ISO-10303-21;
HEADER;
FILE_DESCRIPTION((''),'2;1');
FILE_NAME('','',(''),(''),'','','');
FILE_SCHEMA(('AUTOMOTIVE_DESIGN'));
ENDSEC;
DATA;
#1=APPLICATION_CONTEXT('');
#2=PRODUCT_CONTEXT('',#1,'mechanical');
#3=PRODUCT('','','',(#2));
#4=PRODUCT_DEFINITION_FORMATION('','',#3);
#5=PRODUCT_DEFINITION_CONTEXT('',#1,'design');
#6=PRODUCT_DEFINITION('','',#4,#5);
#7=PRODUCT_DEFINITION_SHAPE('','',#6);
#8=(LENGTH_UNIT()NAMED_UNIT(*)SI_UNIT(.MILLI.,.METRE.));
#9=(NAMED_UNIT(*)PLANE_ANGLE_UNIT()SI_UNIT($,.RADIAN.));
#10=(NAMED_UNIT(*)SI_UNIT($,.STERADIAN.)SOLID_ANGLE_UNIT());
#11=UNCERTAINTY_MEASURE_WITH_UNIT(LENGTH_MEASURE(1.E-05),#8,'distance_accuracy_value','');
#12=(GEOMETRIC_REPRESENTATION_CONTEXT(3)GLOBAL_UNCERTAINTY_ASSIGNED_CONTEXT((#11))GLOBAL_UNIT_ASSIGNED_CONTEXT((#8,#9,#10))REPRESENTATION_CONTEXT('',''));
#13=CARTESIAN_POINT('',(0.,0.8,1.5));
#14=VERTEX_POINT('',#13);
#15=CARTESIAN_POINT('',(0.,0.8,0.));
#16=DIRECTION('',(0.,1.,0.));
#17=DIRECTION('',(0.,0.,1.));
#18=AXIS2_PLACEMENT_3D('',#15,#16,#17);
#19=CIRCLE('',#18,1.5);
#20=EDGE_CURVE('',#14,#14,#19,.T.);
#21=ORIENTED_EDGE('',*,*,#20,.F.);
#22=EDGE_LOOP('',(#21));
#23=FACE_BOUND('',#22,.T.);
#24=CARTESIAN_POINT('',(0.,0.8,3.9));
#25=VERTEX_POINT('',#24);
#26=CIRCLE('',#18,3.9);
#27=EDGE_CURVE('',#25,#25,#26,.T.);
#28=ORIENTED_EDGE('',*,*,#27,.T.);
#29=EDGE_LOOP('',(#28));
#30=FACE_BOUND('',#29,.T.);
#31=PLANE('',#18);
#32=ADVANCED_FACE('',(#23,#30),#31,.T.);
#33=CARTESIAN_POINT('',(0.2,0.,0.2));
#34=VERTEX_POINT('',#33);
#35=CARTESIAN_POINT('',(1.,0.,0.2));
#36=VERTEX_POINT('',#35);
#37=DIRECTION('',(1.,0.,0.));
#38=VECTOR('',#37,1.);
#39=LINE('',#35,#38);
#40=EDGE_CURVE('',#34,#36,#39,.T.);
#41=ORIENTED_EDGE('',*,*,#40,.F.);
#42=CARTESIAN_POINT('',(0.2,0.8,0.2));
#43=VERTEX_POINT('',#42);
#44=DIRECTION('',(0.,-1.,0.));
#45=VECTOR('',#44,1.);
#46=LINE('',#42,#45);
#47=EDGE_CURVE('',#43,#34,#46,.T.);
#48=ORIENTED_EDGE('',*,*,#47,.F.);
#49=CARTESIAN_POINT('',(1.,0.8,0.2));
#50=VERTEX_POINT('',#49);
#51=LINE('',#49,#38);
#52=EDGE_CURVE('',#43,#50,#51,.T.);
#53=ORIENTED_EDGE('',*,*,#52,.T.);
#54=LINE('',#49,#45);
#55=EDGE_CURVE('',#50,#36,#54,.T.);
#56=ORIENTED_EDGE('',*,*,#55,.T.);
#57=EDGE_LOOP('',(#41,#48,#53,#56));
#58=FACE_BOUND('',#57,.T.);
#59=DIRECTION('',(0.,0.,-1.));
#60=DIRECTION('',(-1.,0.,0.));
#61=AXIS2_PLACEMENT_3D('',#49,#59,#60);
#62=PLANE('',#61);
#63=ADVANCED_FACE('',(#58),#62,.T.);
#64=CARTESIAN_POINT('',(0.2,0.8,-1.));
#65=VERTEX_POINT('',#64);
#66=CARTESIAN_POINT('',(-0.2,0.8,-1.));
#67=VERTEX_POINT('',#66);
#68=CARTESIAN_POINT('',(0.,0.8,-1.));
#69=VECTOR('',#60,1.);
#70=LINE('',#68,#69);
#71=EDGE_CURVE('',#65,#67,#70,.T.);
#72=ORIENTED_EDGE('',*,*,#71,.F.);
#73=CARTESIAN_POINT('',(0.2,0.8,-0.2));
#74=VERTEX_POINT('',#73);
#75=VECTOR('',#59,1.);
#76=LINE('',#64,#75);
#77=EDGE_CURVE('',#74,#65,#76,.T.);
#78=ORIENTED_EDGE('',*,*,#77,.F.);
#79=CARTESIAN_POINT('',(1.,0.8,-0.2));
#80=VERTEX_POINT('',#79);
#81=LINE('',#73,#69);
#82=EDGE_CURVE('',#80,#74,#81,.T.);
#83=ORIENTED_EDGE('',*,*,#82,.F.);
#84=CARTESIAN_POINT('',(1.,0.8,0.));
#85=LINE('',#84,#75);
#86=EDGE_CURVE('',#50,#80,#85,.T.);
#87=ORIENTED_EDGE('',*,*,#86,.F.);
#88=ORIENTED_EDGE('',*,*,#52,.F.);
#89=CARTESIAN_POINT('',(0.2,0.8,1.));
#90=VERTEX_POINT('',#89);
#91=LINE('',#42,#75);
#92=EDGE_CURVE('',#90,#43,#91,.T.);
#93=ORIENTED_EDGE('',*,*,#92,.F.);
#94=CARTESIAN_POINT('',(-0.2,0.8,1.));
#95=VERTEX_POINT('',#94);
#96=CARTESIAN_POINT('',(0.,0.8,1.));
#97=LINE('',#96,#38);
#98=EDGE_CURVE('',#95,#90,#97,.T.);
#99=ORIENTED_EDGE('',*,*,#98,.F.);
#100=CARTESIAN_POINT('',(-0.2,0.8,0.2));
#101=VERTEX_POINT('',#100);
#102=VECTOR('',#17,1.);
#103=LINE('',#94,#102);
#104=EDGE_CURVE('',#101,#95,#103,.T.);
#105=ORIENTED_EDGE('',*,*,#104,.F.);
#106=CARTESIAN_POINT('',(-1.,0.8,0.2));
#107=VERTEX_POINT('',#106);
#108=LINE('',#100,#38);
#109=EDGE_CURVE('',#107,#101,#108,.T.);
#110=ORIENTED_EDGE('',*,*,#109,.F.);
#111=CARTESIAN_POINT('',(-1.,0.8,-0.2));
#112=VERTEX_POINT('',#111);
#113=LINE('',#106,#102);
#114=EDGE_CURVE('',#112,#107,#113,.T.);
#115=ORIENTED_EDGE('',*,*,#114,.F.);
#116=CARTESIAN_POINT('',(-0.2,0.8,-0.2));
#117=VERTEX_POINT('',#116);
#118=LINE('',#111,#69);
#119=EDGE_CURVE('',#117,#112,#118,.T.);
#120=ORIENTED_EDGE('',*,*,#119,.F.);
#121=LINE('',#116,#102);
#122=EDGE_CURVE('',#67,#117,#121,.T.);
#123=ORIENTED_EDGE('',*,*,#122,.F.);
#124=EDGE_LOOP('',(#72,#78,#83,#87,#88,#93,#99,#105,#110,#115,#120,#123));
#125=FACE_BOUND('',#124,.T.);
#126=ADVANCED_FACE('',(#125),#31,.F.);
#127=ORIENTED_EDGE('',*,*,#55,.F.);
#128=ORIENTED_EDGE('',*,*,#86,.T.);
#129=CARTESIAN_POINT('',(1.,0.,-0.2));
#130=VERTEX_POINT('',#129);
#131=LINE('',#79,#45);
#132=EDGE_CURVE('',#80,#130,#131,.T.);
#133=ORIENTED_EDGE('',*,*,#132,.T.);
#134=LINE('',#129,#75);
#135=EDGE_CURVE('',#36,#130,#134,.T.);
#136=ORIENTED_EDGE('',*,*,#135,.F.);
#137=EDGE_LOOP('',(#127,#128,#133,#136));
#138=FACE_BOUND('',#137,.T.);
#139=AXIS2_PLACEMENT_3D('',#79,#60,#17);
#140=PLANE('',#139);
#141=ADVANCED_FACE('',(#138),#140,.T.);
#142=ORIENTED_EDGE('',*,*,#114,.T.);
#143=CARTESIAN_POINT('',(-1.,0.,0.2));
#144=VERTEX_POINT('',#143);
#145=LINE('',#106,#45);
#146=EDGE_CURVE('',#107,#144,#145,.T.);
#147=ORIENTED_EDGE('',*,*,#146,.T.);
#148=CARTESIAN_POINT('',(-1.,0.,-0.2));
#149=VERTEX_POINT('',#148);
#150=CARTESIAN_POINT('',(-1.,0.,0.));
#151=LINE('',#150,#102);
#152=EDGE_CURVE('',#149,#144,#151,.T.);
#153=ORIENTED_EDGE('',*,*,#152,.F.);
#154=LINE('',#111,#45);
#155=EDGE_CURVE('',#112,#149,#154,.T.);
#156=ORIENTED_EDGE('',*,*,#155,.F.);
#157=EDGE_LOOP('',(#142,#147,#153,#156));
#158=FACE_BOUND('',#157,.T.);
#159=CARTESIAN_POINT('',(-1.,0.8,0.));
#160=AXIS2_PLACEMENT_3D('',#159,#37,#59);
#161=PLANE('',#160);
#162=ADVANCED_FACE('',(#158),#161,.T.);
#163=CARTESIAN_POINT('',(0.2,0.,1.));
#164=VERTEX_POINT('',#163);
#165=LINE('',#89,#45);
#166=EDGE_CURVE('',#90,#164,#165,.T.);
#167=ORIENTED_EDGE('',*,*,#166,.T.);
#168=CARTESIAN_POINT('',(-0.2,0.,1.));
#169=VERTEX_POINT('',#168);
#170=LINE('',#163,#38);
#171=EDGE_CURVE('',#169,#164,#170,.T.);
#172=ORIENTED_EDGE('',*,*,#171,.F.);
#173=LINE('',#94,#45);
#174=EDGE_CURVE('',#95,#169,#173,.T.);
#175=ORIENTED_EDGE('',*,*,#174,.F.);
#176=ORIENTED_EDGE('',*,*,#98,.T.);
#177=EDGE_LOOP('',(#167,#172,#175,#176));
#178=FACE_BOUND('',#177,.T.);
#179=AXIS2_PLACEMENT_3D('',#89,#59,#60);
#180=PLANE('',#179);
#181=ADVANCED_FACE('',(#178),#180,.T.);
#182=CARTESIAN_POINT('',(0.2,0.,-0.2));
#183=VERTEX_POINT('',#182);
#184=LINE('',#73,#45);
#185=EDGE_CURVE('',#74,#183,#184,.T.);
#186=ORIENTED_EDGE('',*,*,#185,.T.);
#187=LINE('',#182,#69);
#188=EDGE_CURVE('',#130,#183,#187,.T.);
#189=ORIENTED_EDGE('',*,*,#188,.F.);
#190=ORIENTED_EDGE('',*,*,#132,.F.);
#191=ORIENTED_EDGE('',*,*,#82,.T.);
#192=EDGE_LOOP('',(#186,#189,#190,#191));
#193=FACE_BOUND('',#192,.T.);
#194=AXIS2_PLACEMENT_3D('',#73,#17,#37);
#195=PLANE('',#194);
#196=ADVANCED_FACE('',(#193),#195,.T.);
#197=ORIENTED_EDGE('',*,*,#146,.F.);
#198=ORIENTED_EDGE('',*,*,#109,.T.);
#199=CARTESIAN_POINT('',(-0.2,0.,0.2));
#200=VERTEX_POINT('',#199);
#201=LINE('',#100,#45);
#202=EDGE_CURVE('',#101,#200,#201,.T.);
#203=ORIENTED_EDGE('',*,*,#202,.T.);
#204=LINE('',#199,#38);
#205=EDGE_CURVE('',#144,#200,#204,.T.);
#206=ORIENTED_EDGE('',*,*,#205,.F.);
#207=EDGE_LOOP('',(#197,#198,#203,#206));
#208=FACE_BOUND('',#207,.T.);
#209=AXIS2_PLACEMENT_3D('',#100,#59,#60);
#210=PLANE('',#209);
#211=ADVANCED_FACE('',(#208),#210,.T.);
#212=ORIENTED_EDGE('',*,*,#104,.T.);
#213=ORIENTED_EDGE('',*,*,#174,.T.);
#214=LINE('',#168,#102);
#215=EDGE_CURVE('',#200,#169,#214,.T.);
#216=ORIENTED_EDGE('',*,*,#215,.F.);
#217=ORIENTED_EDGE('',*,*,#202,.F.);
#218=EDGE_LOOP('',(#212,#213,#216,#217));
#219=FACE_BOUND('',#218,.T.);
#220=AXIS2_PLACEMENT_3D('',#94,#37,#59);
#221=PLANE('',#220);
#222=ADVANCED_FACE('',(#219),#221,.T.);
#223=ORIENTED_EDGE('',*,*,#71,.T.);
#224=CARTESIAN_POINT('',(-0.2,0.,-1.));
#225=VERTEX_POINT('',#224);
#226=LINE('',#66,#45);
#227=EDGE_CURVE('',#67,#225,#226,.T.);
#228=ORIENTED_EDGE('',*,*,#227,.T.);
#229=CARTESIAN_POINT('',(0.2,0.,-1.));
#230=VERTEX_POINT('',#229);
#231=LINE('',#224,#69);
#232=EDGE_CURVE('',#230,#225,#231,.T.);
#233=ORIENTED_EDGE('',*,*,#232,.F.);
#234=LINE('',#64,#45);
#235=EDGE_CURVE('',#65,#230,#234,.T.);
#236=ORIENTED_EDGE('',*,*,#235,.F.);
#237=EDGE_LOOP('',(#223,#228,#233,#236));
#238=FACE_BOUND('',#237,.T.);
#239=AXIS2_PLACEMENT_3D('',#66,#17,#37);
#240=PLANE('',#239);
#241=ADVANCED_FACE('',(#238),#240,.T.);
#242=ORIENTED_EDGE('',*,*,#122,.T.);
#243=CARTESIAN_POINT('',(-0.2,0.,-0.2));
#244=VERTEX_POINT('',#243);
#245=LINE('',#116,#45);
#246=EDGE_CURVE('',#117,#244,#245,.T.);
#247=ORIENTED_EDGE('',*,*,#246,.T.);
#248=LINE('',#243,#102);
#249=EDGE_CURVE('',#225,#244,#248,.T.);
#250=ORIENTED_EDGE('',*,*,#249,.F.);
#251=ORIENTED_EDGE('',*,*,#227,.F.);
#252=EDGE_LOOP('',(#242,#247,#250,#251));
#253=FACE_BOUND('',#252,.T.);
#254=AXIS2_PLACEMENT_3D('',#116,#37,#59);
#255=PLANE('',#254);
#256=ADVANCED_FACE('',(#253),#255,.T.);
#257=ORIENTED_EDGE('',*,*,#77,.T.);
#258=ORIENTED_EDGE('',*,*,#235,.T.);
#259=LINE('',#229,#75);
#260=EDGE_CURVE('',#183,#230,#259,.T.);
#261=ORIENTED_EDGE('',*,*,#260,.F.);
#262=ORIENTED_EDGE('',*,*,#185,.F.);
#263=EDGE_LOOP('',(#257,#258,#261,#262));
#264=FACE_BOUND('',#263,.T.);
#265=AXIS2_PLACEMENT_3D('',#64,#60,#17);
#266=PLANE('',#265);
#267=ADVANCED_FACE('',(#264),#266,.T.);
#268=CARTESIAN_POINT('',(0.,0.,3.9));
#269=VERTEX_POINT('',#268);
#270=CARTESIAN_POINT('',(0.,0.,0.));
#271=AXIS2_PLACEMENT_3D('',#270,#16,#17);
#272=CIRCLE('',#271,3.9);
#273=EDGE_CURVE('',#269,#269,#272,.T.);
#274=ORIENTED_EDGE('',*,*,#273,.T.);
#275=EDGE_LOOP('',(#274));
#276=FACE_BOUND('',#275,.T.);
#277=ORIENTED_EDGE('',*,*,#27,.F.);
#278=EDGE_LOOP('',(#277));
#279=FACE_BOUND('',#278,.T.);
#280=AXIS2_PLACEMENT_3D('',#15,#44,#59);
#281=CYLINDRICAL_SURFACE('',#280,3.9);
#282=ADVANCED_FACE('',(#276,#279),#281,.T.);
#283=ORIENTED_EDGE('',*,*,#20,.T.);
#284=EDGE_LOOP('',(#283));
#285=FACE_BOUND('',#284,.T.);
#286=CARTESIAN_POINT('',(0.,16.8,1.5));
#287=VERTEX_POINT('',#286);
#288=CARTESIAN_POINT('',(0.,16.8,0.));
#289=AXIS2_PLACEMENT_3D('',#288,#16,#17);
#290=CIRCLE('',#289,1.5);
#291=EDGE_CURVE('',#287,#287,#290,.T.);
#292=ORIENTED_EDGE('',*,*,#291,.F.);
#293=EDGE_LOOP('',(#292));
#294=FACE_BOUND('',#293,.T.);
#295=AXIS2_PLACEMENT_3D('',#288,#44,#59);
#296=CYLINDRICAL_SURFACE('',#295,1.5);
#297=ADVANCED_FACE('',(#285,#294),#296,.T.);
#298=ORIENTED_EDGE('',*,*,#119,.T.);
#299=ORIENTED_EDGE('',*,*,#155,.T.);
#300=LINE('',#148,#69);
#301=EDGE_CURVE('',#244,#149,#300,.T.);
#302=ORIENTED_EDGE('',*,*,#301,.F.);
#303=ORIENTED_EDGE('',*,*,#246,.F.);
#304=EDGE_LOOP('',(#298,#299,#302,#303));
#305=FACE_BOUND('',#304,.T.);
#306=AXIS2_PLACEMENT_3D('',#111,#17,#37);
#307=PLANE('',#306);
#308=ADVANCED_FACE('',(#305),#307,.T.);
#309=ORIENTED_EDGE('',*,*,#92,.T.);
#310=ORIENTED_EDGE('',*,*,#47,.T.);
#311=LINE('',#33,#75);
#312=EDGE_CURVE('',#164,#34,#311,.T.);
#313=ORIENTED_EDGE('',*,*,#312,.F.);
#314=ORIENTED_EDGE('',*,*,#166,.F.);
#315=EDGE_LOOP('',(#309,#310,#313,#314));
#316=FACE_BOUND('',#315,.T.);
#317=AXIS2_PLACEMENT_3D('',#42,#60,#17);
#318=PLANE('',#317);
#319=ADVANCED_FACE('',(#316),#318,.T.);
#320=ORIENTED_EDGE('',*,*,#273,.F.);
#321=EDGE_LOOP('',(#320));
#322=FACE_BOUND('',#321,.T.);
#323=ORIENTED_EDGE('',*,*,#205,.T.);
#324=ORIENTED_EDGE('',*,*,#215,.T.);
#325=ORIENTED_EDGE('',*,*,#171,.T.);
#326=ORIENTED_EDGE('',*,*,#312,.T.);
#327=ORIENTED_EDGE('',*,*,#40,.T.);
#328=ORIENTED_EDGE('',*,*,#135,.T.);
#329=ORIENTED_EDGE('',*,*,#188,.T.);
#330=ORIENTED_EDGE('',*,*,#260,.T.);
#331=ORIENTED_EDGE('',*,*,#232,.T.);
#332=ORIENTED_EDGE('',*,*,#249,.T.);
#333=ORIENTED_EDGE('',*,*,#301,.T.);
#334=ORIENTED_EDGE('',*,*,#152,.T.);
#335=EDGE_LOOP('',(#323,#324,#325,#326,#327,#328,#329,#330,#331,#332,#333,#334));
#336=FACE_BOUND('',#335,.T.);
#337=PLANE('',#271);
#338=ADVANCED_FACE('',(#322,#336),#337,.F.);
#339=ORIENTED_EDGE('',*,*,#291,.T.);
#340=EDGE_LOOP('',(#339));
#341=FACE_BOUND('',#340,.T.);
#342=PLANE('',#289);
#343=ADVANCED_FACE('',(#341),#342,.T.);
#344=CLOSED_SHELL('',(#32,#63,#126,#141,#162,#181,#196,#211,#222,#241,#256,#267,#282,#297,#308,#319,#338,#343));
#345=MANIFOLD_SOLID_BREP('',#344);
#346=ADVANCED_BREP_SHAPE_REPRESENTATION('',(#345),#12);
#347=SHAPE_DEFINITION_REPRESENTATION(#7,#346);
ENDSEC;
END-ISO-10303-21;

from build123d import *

# Parameters (mm, degrees)
SKETCH_1_R      = 3.9
EXTRUDE_1_DEPTH = 0.8
SKETCH_2_R      = 1.5
EXTRUDE_4_DEPTH = 16


with BuildPart() as part:
    # 草图1 → 凸台-拉伸1 (new body)
    with BuildSketch(Plane(origin=(0, 0, 0), x_dir=(1, 0, 0), z_dir=(0, 1, 0))):
        with Locations(Location((0, 0, 0), (0, 0, 270))):
            Circle(SKETCH_1_R)
        Polygon((-1, 0), (-1, 0.2), (-0.2, 0.2), (-0.2, 1), (0, 1), (0.2, 1), (0.2, 0.2), (1, 0.2), (1, 0), (1, -0.2), (0.2, -0.2), (0.2, -1), (0, -1), (-0.2, -1), (-0.2, -0.2), (-1, -0.2), align=None, mode=Mode.SUBTRACT)
    extrude(amount=EXTRUDE_1_DEPTH)

    # 草图2 → 凸台-拉伸4 (add)
    with BuildSketch(Plane(origin=(0, 0.8, 0), x_dir=(1, 0, 0), z_dir=(0, 1, 0))):
        with Locations(Location((0, 0, 0), (0, 0, 270))):
            Circle(SKETCH_2_R)
    extrude(amount=EXTRUDE_4_DEPTH)


solid = part.part
